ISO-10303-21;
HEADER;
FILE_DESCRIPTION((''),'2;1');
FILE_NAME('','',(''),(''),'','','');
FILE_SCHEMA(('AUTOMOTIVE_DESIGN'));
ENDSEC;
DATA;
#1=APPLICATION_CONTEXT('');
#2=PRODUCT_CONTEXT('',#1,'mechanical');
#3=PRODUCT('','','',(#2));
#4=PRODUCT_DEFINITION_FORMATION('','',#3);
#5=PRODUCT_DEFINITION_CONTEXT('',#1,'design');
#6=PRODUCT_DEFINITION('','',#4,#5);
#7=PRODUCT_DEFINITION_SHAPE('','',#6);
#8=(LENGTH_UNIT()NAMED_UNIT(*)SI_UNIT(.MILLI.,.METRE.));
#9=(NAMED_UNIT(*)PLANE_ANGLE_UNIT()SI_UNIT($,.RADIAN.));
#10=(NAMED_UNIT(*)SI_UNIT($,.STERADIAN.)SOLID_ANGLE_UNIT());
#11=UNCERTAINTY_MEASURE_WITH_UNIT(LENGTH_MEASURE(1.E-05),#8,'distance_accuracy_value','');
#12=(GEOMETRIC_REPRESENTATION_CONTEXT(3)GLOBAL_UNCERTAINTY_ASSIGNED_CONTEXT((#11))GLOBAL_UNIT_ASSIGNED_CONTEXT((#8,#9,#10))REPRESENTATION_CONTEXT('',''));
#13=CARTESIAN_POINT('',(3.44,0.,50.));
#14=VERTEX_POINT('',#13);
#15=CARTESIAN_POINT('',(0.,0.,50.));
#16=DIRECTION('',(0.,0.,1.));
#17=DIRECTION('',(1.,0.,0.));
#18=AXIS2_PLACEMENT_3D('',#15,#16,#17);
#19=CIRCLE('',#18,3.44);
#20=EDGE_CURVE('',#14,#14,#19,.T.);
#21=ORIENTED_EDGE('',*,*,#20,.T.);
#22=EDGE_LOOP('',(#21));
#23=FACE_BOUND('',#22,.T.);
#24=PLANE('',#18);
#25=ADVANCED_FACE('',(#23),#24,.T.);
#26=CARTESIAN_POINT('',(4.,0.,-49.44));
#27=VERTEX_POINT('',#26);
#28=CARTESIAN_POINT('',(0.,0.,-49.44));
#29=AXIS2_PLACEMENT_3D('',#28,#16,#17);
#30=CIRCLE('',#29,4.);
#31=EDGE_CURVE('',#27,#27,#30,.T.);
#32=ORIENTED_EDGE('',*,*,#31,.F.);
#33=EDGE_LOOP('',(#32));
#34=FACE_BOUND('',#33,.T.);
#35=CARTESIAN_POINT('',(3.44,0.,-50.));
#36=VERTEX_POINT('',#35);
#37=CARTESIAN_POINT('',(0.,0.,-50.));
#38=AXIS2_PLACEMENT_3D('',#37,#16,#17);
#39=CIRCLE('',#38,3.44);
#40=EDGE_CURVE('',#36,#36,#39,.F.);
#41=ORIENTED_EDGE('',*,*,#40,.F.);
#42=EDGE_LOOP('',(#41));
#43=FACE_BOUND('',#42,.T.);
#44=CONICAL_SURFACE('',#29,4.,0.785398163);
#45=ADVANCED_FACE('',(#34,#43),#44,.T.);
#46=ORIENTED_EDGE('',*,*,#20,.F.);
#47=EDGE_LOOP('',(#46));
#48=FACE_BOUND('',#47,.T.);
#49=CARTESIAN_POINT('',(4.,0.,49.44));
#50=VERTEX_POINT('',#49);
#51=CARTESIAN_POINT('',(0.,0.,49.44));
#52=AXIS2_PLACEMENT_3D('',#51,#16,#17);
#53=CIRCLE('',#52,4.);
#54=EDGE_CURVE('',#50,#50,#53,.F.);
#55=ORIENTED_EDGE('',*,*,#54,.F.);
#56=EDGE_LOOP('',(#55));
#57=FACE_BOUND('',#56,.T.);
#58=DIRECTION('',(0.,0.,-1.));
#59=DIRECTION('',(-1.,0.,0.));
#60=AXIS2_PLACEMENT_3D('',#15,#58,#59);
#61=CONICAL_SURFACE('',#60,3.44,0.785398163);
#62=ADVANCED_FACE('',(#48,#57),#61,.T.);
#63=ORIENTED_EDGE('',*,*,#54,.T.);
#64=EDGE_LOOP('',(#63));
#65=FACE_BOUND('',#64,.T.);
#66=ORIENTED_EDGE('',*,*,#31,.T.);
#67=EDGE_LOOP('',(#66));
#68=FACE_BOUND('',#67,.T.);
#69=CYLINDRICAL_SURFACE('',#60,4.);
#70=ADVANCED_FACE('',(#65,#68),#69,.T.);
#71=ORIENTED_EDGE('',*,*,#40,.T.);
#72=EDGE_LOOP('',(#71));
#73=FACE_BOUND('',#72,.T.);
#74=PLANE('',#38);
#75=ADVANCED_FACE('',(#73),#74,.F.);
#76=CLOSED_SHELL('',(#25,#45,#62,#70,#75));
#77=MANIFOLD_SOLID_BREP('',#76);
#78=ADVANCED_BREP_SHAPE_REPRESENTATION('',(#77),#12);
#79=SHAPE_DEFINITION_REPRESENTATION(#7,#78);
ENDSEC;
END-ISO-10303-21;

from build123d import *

# Parameters (mm, degrees)
BOSS_EXTRUDE1_DEPTH      = 50
BOSS_EXTRUDE1_DEPTH_BACK = 50
SKETCH3_R                = 4
CHAMFER1_SIZE            = 0.56


with BuildPart() as part:
    # Sketch3 → Boss-Extrude1 (new, two sides: drawn at the far end of the back side and taken through both)
    with BuildSketch(Plane.XY.offset(-BOSS_EXTRUDE1_DEPTH_BACK)):
        Circle(SKETCH3_R)
    extrude(amount=BOSS_EXTRUDE1_DEPTH + BOSS_EXTRUDE1_DEPTH_BACK)

    # Chamfer1
    chamfer1_edges = [part.edges().sort_by_distance(p)[0] for p in [
        (-4, 0, -50),
        (-4, 0, 50),
    ]]
    chamfer(chamfer1_edges, length=CHAMFER1_SIZE)


solid = part.part
